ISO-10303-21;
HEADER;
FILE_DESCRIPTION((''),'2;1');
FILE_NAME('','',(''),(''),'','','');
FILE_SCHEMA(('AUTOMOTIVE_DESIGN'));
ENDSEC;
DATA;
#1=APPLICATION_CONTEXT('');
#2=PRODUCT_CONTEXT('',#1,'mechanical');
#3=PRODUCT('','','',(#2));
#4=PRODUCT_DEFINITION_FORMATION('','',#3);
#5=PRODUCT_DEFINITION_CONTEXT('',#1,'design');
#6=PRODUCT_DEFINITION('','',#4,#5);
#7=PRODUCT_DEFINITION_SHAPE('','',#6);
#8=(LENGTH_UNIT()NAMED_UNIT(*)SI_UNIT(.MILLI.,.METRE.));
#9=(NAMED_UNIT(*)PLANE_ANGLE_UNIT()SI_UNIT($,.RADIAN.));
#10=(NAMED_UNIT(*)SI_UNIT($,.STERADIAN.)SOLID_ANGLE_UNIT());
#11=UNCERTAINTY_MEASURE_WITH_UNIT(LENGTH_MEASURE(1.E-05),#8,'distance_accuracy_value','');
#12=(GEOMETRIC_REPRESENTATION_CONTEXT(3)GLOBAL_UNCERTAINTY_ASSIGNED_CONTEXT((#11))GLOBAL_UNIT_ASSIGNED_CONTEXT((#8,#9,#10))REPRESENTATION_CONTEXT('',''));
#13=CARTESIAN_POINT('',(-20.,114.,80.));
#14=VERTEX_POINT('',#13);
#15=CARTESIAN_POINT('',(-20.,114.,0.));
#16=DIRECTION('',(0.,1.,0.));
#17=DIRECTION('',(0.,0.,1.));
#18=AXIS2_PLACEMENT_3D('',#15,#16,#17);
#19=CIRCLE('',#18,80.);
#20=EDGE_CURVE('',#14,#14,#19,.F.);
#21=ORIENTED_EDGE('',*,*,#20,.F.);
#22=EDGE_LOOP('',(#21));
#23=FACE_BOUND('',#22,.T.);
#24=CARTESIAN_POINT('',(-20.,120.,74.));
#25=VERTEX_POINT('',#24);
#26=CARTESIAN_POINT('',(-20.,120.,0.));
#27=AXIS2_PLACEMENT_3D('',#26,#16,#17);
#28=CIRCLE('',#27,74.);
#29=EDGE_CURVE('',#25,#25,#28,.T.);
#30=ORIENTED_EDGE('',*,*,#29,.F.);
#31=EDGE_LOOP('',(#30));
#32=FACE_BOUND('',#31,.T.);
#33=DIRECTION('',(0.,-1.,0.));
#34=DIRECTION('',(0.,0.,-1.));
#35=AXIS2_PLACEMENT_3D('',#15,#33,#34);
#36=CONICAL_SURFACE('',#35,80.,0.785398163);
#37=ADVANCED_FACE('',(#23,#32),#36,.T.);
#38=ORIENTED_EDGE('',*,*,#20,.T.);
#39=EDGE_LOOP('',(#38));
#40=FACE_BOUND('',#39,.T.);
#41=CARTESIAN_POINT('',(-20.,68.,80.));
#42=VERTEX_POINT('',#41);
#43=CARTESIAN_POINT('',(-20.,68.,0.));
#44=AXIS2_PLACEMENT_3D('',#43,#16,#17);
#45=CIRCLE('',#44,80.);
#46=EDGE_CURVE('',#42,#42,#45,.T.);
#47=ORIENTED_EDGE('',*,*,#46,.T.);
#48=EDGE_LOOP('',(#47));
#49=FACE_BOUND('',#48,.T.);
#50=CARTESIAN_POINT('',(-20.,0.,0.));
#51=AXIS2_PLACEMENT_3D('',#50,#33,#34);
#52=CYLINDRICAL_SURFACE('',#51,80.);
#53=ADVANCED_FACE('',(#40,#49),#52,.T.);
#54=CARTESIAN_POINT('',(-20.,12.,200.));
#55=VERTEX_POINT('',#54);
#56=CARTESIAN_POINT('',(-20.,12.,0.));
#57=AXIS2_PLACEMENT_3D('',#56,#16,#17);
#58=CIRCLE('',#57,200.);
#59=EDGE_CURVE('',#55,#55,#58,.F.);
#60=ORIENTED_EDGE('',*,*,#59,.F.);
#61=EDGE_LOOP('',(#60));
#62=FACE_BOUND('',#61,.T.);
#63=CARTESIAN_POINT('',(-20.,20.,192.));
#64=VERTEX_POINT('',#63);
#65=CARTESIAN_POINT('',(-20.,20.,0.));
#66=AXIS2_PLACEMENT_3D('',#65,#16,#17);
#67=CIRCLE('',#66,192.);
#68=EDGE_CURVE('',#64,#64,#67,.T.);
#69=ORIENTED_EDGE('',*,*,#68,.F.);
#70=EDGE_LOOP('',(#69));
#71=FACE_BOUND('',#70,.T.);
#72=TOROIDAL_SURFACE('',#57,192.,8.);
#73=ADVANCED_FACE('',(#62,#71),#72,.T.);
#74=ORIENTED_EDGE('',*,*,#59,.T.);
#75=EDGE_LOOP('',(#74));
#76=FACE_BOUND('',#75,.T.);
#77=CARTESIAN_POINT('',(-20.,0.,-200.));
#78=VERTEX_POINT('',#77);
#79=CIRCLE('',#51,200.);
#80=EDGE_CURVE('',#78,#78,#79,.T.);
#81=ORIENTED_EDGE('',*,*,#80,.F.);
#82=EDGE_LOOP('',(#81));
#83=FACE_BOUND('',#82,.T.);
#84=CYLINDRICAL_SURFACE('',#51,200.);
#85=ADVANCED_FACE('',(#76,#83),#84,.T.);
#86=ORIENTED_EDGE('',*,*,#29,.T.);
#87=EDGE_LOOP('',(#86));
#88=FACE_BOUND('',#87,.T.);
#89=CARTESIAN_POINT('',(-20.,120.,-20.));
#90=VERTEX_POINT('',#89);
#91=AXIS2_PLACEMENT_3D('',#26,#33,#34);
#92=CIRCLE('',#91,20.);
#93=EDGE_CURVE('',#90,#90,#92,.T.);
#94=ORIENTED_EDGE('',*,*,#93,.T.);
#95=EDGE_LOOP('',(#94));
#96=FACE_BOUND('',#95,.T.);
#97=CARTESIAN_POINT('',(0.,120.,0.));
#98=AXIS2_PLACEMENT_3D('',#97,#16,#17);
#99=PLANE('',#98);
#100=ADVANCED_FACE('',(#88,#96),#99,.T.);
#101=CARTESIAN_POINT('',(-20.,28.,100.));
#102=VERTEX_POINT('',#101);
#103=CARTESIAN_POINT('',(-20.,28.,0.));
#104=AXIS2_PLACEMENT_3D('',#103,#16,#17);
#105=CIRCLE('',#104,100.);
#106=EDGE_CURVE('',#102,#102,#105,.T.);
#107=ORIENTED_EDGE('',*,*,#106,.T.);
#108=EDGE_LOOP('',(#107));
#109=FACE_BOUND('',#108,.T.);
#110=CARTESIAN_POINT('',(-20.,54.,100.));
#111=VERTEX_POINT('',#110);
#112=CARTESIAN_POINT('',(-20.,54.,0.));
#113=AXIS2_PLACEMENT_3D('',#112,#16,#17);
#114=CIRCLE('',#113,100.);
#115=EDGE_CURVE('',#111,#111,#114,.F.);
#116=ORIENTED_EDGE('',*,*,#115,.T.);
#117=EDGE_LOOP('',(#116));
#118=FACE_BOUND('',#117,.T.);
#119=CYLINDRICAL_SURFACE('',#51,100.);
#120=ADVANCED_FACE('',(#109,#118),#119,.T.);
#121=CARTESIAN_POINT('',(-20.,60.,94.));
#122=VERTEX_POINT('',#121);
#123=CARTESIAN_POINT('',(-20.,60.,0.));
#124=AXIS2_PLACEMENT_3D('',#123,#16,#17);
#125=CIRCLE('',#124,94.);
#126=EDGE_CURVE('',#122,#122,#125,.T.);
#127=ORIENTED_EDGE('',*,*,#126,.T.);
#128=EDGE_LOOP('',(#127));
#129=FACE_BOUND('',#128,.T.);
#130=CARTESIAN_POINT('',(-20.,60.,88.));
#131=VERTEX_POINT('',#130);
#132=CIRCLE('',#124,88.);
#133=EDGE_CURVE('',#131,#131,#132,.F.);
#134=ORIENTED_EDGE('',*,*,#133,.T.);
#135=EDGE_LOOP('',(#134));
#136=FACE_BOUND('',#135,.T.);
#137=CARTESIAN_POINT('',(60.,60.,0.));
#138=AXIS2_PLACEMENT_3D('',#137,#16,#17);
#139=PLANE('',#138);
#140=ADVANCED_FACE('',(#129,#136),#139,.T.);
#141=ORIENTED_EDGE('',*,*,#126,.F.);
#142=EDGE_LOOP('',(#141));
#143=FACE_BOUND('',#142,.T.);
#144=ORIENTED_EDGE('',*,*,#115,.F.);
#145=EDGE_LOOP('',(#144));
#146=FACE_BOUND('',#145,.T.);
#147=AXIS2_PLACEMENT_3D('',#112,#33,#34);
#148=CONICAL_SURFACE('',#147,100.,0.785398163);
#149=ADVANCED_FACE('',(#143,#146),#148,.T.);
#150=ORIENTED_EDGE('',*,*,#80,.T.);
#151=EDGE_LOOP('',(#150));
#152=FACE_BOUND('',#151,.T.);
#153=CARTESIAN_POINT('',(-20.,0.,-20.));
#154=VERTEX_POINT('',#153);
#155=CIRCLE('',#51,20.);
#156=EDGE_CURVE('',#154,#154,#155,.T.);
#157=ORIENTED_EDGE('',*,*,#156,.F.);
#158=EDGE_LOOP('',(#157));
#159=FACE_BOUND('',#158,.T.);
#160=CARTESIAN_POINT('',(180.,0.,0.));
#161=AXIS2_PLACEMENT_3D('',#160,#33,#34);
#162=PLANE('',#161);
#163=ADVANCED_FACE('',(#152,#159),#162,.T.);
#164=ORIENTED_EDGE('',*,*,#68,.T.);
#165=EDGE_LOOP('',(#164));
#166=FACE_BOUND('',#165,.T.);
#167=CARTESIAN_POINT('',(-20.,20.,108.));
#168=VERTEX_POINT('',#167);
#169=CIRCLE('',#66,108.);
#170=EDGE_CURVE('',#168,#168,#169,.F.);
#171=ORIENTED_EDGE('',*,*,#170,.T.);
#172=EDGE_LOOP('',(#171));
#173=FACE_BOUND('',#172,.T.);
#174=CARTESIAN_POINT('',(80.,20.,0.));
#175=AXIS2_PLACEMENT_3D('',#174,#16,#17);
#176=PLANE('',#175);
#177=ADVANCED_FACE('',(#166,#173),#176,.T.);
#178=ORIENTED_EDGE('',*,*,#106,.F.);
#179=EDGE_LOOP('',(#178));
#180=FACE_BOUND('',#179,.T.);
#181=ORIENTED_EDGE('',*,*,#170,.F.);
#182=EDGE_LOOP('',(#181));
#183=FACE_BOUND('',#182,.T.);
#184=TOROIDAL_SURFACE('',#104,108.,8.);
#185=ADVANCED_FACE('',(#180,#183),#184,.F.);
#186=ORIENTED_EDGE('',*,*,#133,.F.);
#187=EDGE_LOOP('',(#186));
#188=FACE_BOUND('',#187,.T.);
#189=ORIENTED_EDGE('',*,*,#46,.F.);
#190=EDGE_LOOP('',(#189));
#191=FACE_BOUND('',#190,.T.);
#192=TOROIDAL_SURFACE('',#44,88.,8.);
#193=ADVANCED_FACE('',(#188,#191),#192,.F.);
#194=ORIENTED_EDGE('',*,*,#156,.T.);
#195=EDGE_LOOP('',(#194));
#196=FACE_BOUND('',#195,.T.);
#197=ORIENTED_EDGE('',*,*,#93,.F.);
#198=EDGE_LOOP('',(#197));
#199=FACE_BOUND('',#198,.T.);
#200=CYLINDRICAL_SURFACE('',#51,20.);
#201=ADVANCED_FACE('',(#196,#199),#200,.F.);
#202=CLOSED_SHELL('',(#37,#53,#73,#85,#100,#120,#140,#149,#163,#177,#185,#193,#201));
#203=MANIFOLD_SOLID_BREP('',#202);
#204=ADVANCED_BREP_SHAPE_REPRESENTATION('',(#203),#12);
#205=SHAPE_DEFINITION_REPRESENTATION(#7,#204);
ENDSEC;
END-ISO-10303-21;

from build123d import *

# Parameters (mm, degrees)
FILLET4_R     = 8
CHAMFER5_SIZE = 6
FILLET5_R     = 8


with BuildPart() as part:
    # Sketch1 → Revolve5 (revolve)
    with BuildSketch(Plane.XY):
        Polygon((180, 0), (0, 0), (0, 120), (60, 120), (60, 60), (80, 60), (80, 20), (180, 20), align=None)
    revolve(axis=Axis((-20, 0, 0), (0, 1, 0)))

    # Fillet4
    fillet4_edges = [part.edges().sort_by_distance(p)[0] for p in [
        (-220, 20, 0),
    ]]
    fillet(fillet4_edges, radius=FILLET4_R)

    # Chamfer5
    chamfer5_edges = [part.edges().sort_by_distance(p)[0] for p in [
        (-120, 60, 0),
        (-100, 120, 0),
    ]]
    chamfer(chamfer5_edges, length=CHAMFER5_SIZE)

    # Fillet5
    fillet5_edges = [part.edges().sort_by_distance(p)[0] for p in [
        (-120, 20, 0),
        (-100, 60, 0),
    ]]
    fillet(fillet5_edges, radius=FILLET5_R)


solid = part.part
